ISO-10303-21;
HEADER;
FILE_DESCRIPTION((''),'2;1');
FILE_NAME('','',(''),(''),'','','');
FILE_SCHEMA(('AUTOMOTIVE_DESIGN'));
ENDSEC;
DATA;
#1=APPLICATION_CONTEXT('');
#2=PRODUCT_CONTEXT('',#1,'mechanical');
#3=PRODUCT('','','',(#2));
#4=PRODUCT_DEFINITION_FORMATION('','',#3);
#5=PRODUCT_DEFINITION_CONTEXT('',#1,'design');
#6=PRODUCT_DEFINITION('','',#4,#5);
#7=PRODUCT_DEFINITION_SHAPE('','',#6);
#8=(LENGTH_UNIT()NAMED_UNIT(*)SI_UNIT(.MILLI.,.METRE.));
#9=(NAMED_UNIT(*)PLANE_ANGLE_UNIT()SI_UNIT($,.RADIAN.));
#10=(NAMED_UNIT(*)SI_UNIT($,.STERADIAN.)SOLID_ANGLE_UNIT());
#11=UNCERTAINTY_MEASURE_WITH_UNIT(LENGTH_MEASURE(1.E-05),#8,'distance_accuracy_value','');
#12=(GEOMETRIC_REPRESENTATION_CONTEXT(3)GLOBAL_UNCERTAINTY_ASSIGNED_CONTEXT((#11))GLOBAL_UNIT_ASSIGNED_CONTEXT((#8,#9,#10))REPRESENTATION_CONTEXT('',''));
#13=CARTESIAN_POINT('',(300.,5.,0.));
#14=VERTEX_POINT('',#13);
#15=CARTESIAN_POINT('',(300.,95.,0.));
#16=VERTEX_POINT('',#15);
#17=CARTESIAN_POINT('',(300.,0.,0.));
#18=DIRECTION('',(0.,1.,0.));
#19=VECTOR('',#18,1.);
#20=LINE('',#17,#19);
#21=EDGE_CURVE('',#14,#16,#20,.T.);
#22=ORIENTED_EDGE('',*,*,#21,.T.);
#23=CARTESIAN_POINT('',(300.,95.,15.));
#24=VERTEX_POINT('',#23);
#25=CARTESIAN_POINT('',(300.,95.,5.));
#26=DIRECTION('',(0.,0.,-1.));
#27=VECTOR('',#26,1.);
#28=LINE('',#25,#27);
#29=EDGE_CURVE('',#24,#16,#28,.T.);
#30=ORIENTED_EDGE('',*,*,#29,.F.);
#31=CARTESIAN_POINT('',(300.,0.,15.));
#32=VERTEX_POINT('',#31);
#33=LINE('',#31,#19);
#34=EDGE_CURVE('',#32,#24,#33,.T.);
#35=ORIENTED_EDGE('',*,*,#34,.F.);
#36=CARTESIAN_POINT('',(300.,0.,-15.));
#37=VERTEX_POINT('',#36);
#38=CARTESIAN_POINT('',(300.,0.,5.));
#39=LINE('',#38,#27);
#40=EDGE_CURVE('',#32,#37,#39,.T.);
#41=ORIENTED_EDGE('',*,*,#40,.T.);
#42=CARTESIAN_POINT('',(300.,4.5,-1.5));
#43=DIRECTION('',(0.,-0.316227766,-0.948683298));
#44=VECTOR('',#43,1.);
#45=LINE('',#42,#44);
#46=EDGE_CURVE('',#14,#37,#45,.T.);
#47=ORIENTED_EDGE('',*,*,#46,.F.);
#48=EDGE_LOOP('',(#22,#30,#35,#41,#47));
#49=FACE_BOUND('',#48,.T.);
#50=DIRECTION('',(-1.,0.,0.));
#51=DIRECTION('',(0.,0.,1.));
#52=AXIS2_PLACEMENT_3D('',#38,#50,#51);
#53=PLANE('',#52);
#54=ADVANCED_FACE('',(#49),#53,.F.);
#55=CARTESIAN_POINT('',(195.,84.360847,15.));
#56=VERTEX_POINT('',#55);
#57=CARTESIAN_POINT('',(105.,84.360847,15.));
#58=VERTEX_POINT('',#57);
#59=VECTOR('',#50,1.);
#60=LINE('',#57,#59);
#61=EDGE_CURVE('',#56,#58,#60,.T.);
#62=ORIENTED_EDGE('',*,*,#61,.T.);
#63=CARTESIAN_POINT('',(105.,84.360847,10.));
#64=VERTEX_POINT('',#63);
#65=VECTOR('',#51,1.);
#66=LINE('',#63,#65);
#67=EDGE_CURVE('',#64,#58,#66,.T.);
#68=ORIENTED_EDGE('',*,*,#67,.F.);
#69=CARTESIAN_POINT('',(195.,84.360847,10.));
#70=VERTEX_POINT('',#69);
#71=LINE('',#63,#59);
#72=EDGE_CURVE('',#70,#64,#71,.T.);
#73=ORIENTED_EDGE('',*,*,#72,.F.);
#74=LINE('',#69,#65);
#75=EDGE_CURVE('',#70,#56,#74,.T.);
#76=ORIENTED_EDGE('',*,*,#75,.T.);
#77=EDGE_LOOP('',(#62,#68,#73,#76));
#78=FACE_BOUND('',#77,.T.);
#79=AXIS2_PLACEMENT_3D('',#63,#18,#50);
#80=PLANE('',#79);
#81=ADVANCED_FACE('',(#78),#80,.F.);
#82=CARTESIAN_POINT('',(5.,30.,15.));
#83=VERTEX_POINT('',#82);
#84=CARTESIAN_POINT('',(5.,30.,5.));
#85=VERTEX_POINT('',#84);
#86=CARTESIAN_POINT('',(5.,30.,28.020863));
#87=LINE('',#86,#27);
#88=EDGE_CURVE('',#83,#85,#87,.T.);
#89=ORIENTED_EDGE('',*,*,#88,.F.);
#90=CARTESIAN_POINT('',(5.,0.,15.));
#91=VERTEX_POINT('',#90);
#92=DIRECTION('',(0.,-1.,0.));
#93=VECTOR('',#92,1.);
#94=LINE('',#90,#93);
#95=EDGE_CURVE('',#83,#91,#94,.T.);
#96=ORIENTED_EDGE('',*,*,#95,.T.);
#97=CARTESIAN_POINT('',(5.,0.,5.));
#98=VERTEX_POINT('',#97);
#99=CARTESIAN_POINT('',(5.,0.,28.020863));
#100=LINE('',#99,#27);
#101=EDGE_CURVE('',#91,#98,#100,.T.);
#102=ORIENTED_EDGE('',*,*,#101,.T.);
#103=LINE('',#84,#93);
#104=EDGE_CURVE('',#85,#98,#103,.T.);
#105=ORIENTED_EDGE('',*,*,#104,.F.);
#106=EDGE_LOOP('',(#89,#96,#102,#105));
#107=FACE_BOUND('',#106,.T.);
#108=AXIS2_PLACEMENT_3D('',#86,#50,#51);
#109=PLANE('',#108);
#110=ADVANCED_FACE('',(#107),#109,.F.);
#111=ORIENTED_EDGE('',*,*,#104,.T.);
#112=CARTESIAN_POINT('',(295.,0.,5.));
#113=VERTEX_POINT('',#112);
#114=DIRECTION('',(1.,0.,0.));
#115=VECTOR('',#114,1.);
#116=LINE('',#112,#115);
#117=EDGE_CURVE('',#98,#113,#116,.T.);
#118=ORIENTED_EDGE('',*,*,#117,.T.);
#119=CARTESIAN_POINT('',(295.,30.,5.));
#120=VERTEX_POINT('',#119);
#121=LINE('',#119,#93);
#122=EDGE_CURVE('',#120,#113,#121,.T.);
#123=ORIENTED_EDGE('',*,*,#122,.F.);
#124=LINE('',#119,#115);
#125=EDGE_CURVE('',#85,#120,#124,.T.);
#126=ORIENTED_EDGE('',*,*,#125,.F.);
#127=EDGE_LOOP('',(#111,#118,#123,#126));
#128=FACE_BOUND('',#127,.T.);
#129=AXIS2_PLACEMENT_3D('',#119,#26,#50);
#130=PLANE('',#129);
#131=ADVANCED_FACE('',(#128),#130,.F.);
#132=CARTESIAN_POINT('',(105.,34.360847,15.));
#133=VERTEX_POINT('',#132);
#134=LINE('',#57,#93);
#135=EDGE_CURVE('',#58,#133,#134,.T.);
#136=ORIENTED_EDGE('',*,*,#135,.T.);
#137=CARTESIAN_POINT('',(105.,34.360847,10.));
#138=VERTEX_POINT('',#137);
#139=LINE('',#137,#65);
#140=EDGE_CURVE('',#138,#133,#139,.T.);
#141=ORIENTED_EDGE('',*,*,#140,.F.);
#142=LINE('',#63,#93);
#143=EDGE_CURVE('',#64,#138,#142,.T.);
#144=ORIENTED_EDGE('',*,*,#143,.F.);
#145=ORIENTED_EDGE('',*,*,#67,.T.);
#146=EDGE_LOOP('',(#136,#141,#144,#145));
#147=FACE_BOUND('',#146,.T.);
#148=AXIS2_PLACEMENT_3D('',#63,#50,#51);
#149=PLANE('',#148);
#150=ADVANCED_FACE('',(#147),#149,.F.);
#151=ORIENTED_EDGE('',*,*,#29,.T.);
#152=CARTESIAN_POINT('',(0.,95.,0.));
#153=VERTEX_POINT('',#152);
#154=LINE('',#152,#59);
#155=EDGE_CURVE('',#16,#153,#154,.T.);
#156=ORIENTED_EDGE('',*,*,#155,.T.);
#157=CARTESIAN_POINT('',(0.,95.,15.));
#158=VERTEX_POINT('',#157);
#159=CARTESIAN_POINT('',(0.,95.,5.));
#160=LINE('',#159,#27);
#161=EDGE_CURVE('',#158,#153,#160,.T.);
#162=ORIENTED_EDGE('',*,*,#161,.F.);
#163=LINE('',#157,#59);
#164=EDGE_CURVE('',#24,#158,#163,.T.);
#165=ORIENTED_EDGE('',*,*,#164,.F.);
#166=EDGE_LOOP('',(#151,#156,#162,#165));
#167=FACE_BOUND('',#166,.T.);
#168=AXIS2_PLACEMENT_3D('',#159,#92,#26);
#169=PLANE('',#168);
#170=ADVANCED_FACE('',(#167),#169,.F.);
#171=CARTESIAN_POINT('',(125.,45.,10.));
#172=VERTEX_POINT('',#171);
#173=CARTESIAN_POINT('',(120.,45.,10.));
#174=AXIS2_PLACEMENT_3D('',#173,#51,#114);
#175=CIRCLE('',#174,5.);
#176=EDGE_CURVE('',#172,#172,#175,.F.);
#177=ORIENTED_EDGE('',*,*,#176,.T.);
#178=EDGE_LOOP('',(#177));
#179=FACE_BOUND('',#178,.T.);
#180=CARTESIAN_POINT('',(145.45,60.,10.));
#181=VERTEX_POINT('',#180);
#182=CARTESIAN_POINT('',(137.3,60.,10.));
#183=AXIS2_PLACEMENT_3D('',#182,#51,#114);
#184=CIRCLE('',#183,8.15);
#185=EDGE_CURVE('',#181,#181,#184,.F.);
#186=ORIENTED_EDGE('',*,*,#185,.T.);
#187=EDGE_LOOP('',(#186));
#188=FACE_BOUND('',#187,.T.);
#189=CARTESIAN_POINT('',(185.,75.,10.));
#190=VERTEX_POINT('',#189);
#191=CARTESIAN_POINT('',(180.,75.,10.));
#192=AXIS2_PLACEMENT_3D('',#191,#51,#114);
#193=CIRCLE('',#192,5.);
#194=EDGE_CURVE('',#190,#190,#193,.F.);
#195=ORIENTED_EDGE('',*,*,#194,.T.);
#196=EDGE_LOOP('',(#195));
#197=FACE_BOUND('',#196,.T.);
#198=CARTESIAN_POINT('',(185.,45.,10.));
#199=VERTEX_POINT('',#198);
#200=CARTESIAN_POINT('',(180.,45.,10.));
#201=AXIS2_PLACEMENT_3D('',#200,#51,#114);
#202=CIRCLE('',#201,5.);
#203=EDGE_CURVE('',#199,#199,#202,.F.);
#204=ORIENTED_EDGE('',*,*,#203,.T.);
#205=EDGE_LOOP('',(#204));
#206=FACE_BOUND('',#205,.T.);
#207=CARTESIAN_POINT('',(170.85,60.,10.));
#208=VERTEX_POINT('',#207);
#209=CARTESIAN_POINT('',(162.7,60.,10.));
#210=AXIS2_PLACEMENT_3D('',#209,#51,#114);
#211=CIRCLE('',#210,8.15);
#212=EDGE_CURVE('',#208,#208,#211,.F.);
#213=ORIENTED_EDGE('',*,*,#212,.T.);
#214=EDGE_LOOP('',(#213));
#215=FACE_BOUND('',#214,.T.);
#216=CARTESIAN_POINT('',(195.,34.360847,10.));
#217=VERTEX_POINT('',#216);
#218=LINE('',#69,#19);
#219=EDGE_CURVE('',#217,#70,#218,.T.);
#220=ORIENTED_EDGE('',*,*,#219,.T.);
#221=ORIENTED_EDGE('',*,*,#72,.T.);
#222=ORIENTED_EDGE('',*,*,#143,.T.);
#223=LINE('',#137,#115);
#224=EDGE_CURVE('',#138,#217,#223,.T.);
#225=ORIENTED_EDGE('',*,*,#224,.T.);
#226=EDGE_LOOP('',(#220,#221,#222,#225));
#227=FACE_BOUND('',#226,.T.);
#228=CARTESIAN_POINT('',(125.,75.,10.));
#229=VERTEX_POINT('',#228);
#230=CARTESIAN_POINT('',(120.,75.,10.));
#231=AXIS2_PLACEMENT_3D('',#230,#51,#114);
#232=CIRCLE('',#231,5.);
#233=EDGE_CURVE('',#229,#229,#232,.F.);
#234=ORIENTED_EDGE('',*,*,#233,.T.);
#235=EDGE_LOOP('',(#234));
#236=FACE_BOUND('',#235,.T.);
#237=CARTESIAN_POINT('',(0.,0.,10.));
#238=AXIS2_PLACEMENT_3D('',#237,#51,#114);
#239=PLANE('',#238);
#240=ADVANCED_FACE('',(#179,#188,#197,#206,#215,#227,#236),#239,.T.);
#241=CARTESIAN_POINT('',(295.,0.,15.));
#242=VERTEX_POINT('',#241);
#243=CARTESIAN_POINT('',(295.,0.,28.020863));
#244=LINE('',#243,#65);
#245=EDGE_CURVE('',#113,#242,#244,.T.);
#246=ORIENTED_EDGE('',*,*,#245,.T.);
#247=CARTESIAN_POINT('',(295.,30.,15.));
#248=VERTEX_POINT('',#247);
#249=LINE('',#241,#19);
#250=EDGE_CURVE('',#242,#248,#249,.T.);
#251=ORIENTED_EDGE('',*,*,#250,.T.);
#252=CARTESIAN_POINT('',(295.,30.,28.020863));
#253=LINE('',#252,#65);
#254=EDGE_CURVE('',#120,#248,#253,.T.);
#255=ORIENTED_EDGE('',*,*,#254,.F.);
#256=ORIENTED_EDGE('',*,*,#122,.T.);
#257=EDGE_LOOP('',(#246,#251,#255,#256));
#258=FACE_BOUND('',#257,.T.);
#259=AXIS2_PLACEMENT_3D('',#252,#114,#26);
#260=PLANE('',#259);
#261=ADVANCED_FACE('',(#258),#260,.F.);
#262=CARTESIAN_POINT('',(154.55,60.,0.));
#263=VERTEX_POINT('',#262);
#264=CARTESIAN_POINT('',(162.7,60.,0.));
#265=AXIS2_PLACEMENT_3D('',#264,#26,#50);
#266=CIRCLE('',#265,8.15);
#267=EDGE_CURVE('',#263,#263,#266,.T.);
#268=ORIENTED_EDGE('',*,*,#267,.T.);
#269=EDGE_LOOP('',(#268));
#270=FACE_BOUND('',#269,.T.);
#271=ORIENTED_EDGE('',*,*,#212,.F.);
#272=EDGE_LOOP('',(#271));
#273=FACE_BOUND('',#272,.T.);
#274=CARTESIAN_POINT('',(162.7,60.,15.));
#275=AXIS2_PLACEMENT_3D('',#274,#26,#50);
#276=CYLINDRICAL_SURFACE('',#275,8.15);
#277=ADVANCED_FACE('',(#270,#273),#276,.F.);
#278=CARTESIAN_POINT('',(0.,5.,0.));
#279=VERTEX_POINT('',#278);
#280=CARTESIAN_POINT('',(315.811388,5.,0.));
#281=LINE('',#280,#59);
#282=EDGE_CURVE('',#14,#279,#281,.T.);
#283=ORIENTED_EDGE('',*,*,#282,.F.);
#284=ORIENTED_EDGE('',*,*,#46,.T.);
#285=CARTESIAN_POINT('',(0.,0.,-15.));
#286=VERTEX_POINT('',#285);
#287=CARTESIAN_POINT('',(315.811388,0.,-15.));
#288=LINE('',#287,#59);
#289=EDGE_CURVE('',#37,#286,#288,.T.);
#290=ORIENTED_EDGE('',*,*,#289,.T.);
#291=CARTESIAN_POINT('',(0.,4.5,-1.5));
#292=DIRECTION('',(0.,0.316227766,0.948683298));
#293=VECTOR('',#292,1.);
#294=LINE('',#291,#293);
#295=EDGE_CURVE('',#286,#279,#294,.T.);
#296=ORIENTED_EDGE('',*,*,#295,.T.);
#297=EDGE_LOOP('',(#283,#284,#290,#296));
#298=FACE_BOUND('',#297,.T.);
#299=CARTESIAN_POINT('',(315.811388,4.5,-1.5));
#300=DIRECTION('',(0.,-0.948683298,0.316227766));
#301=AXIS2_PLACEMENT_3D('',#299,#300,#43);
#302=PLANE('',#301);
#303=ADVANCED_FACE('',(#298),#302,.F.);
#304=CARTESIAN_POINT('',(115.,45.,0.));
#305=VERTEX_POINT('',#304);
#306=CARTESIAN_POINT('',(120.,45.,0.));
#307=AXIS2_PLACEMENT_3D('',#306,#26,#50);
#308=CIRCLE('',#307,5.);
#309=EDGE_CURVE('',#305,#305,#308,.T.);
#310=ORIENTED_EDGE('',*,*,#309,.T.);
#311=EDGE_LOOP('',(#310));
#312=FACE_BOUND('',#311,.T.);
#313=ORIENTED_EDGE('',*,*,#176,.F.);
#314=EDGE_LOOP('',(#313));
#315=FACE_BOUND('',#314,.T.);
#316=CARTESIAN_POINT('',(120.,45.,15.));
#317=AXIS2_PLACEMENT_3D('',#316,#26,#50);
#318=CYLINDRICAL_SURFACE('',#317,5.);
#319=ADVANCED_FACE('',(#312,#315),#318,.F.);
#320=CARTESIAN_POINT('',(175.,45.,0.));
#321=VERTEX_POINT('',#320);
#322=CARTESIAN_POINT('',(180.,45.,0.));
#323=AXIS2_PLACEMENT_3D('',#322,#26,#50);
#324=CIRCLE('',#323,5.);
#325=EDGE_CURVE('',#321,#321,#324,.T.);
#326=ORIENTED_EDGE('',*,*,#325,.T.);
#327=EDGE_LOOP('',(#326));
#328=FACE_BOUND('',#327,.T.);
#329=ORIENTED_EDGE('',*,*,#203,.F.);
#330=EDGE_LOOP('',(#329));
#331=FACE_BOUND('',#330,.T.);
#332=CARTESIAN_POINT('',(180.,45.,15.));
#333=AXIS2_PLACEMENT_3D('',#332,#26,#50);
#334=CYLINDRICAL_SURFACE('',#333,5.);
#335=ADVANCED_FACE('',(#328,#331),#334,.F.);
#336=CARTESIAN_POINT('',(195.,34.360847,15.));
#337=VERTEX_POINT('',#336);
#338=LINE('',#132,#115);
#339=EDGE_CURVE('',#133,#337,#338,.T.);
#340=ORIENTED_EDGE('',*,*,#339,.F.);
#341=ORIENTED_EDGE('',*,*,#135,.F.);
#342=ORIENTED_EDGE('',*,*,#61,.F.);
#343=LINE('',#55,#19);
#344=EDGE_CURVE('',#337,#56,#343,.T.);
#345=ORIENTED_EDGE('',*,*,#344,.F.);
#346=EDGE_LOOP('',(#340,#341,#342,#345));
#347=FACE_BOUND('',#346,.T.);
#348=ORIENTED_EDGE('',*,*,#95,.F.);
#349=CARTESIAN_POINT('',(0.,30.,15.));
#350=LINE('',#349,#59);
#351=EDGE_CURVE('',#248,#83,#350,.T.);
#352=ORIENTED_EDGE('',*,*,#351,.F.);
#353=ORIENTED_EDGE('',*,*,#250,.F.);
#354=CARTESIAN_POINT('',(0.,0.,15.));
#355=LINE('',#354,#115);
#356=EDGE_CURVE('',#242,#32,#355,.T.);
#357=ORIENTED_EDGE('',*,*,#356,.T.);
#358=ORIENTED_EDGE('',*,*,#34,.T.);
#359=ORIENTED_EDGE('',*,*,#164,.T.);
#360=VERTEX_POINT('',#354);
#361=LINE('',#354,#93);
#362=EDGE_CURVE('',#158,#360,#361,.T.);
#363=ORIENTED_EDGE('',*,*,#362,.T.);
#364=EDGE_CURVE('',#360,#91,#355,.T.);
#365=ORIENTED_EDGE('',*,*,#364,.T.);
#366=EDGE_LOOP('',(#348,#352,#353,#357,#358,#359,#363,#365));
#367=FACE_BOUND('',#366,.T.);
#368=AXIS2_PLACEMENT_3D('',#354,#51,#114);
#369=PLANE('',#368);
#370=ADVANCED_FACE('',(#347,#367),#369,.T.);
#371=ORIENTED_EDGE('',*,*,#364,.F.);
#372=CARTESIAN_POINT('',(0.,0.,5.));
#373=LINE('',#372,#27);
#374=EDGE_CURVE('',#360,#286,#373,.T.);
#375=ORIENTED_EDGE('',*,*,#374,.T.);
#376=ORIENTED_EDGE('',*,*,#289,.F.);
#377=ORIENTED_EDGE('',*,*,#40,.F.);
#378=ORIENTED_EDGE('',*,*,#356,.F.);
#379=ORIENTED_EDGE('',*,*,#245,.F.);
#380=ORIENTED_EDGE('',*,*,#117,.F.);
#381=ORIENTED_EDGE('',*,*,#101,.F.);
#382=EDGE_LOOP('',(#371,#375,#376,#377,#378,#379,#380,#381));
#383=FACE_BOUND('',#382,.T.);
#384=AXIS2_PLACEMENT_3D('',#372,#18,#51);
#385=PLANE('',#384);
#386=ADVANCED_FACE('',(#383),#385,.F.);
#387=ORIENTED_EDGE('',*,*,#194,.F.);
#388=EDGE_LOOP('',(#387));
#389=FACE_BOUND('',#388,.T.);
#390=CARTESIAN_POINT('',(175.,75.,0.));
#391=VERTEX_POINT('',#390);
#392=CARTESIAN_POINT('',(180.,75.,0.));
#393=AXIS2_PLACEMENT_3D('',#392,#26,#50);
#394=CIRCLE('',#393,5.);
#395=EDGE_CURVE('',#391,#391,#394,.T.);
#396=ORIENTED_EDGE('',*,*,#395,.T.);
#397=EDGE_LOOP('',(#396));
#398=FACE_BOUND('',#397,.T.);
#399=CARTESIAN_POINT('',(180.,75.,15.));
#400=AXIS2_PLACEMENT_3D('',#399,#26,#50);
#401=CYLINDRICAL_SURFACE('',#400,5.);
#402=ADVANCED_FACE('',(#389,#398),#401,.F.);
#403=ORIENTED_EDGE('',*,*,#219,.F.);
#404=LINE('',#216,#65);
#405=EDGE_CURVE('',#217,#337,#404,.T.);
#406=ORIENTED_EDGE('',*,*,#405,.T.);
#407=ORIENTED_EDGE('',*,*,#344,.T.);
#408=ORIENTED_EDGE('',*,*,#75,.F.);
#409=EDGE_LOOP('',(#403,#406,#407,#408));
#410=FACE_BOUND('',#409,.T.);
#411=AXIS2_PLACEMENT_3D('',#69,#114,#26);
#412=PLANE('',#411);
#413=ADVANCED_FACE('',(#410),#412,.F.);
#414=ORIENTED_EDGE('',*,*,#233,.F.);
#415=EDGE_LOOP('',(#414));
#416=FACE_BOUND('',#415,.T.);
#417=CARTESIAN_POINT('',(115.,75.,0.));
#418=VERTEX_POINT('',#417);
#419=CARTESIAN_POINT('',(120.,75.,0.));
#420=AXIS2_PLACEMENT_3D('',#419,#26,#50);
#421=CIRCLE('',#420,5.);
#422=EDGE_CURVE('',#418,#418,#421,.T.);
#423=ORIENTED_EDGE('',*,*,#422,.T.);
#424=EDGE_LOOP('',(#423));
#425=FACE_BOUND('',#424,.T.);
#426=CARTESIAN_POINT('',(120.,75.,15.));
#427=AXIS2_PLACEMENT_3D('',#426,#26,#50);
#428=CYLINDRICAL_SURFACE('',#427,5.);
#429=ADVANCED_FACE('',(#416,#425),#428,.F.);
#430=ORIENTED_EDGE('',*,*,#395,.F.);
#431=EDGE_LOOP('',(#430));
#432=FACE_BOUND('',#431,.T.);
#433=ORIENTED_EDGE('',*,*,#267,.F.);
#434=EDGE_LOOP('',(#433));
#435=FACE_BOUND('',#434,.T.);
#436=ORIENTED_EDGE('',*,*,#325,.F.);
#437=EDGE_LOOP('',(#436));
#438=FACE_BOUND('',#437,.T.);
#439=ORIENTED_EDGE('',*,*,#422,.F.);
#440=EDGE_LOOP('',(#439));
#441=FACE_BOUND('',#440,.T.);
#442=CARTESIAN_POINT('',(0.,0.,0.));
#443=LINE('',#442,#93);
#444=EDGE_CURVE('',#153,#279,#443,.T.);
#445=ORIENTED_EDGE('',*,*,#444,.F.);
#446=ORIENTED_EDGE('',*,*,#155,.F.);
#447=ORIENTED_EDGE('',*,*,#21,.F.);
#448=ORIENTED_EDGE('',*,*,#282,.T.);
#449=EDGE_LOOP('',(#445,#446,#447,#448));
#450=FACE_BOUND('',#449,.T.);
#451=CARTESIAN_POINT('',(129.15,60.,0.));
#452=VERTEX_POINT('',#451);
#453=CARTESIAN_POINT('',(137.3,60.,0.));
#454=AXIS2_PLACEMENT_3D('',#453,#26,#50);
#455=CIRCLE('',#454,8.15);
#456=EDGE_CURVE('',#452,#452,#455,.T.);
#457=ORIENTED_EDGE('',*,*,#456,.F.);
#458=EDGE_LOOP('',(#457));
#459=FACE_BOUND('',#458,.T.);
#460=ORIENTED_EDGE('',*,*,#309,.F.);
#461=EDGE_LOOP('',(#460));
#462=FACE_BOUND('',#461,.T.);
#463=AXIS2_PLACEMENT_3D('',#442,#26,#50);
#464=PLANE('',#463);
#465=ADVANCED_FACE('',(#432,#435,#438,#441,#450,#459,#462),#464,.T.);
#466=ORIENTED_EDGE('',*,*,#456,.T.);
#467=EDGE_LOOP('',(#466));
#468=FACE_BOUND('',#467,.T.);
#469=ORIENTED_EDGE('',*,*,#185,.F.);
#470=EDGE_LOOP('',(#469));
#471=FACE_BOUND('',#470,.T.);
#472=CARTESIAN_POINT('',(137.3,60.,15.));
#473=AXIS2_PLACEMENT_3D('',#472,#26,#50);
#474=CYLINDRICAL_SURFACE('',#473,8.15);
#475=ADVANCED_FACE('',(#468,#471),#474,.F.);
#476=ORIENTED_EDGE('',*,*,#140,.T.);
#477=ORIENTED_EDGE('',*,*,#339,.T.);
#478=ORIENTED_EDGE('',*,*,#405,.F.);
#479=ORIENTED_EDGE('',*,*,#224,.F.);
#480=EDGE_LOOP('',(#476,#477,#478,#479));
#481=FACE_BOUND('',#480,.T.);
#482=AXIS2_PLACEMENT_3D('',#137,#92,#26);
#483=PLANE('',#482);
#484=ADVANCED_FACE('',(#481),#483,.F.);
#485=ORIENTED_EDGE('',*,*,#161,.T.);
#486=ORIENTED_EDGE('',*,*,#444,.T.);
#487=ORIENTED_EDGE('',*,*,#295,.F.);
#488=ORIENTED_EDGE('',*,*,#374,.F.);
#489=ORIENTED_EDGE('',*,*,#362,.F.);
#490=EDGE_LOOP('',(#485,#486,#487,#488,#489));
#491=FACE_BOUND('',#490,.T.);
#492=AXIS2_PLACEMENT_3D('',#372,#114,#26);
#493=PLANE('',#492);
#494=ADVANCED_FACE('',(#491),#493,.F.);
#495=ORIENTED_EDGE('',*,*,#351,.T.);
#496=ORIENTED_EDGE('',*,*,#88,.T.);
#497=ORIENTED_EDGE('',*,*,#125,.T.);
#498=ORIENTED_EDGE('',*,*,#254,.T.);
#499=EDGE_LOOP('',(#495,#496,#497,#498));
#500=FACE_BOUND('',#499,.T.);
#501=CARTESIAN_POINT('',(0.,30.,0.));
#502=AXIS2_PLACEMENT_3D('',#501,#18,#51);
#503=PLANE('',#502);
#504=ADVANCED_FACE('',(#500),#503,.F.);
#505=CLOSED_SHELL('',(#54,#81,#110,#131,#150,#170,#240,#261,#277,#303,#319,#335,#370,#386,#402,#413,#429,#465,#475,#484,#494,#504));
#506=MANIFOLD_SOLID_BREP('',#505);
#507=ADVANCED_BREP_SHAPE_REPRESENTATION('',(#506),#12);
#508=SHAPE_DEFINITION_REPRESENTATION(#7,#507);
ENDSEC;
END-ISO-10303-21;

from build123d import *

# Parameters (mm, degrees)
ESQUISSE1_W             = 300
ESQUISSE1_H             = 95
BOSS_EXTRU_1_DEPTH      = 5
BOSS_EXTRU_2_DEPTH      = 300
BOSS_EXTRU_3_DEPTH      = 10
ESQUISSE6_R             = 8.15
ESQUISSE6_R_2           = 5
ENL_V_MAT_EXTRU_2_DEPTH = 16
ESQUISSE7_W             = 290
ESQUISSE7_H             = 23.020862504
ENL_V_MAT_EXTRU_3_DEPTH = 30
ESQUISSE9_W             = 90
ESQUISSE9_H             = 50
ENL_V_MAT_EXTRU_4_DEPTH = 5


with BuildPart() as part:
    # Esquisse1 → Boss.-Extru.1 (new body)
    with BuildSketch(Plane.XY):
        with Locations((150, 47.5)):
            Rectangle(ESQUISSE1_W, ESQUISSE1_H)
    extrude(amount=BOSS_EXTRU_1_DEPTH)

    # Esquisse3 → Boss.-Extru.2 (add)
    with BuildSketch(Plane.ZY):
        Polygon((-15, 0), (0, 0), (0, 5), align=None)
    extrude(amount=-BOSS_EXTRU_2_DEPTH)

    # Esquisse5 → Boss.-Extru.3 (add)
    with BuildSketch(Plane.XY.offset(5)):
        Polygon((195, 95), (105, 95), (0, 95), (0, 30), (0, 0), (300, 0), (300, 30), (300, 95), align=None)
    extrude(amount=BOSS_EXTRU_3_DEPTH)

    # Esquisse6 → Enlèv. mat.-Extru.2 (cut, through all)
    with BuildSketch(Plane(origin=(0, 0, 0), x_dir=(-1, 0, 0), z_dir=(0, 0, -1))):
        with Locations((-162.7, 60)):
            Circle(ESQUISSE6_R)
        with Locations((-137.3, 60)):
            Circle(ESQUISSE6_R)
        with Locations((-180, 75)):
            Circle(ESQUISSE6_R_2)
        with Locations((-180, 45)):
            Circle(ESQUISSE6_R_2)
        with Locations((-120, 75)):
            Circle(ESQUISSE6_R_2)
        with Locations((-120, 45)):
            Circle(ESQUISSE6_R_2)
    extrude(amount=-ENL_V_MAT_EXTRU_2_DEPTH, mode=Mode.SUBTRACT)

    # Esquisse7 → Enlèv. mat.-Extru.3 (cut)
    with BuildSketch(Plane.XZ):
        with Locations((150, 16.510431252)):
            Rectangle(ESQUISSE7_W, ESQUISSE7_H)
    extrude(amount=-ENL_V_MAT_EXTRU_3_DEPTH, mode=Mode.SUBTRACT)

    # Esquisse9 → Enlèv. mat.-Extru.4 (cut)
    with BuildSketch(Plane.XY.offset(15)):
        with Locations((150, 59.36084713)):
            Rectangle(ESQUISSE9_W, ESQUISSE9_H)
    extrude(amount=-ENL_V_MAT_EXTRU_4_DEPTH, mode=Mode.SUBTRACT)


solid = part.part
